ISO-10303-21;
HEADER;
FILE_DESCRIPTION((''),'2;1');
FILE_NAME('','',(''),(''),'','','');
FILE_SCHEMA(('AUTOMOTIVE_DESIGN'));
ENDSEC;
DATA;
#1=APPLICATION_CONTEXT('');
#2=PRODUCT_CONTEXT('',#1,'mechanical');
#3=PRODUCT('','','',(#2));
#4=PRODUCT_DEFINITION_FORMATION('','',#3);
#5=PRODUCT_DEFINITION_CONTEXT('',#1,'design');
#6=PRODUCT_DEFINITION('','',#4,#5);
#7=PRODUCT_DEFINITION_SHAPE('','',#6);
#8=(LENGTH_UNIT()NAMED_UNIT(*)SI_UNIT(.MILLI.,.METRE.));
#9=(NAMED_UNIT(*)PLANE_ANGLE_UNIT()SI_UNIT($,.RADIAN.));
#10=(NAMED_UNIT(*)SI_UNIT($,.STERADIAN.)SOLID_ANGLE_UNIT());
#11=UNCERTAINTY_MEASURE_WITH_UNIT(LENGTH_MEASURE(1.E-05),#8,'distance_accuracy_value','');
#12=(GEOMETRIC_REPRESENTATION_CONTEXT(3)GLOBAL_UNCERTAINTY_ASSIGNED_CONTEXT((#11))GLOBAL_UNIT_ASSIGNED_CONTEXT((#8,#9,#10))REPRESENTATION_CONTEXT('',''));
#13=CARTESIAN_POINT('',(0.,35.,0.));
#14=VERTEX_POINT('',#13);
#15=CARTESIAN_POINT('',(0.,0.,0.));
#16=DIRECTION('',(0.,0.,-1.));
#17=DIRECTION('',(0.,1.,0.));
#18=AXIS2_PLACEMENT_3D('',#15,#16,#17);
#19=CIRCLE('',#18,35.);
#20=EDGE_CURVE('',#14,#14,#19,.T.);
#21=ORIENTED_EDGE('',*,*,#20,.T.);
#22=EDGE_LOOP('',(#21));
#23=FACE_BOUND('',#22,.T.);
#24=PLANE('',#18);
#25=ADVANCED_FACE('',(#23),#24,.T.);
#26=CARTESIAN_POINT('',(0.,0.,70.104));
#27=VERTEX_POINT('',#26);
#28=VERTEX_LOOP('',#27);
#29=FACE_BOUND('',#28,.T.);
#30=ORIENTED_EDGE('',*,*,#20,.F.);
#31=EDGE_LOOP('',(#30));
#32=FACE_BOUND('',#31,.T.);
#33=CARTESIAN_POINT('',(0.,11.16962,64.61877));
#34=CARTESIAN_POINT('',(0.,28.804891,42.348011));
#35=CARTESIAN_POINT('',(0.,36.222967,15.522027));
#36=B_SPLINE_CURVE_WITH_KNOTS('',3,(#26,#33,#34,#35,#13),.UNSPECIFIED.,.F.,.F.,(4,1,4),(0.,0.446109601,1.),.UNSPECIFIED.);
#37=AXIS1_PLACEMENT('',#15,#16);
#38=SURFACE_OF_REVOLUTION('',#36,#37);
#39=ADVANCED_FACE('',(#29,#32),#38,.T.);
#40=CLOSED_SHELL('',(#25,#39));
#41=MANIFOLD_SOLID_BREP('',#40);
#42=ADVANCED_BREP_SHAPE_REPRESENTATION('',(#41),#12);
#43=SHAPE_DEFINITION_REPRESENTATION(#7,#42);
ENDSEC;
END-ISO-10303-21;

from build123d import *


with BuildPart() as part:
    # Sketch1 one side → Revolve1 (revolve)
    with BuildSketch(Plane(origin=(0, 0, 0), x_dir=(0, 0, -1), z_dir=(1, 0, 0))):
        with BuildLine():
            Line((-70.104, 0), (0, 0))
            Line((0, 0), (0, 35))
            add(Edge.make_bspline(
                [(-70.104, 0), (-64.61877021, 11.169619974), (-42.348010529, 28.804891159), (-15.522027433, 36.222966989), (0, 35)],
                knots=[0, 0, 0, 0, 0.446109601, 1, 1, 1, 1], degree=3))
        make_face()
    revolve(axis=Axis((0, 0, 0), (0, 0, 1)))


solid = part.part
